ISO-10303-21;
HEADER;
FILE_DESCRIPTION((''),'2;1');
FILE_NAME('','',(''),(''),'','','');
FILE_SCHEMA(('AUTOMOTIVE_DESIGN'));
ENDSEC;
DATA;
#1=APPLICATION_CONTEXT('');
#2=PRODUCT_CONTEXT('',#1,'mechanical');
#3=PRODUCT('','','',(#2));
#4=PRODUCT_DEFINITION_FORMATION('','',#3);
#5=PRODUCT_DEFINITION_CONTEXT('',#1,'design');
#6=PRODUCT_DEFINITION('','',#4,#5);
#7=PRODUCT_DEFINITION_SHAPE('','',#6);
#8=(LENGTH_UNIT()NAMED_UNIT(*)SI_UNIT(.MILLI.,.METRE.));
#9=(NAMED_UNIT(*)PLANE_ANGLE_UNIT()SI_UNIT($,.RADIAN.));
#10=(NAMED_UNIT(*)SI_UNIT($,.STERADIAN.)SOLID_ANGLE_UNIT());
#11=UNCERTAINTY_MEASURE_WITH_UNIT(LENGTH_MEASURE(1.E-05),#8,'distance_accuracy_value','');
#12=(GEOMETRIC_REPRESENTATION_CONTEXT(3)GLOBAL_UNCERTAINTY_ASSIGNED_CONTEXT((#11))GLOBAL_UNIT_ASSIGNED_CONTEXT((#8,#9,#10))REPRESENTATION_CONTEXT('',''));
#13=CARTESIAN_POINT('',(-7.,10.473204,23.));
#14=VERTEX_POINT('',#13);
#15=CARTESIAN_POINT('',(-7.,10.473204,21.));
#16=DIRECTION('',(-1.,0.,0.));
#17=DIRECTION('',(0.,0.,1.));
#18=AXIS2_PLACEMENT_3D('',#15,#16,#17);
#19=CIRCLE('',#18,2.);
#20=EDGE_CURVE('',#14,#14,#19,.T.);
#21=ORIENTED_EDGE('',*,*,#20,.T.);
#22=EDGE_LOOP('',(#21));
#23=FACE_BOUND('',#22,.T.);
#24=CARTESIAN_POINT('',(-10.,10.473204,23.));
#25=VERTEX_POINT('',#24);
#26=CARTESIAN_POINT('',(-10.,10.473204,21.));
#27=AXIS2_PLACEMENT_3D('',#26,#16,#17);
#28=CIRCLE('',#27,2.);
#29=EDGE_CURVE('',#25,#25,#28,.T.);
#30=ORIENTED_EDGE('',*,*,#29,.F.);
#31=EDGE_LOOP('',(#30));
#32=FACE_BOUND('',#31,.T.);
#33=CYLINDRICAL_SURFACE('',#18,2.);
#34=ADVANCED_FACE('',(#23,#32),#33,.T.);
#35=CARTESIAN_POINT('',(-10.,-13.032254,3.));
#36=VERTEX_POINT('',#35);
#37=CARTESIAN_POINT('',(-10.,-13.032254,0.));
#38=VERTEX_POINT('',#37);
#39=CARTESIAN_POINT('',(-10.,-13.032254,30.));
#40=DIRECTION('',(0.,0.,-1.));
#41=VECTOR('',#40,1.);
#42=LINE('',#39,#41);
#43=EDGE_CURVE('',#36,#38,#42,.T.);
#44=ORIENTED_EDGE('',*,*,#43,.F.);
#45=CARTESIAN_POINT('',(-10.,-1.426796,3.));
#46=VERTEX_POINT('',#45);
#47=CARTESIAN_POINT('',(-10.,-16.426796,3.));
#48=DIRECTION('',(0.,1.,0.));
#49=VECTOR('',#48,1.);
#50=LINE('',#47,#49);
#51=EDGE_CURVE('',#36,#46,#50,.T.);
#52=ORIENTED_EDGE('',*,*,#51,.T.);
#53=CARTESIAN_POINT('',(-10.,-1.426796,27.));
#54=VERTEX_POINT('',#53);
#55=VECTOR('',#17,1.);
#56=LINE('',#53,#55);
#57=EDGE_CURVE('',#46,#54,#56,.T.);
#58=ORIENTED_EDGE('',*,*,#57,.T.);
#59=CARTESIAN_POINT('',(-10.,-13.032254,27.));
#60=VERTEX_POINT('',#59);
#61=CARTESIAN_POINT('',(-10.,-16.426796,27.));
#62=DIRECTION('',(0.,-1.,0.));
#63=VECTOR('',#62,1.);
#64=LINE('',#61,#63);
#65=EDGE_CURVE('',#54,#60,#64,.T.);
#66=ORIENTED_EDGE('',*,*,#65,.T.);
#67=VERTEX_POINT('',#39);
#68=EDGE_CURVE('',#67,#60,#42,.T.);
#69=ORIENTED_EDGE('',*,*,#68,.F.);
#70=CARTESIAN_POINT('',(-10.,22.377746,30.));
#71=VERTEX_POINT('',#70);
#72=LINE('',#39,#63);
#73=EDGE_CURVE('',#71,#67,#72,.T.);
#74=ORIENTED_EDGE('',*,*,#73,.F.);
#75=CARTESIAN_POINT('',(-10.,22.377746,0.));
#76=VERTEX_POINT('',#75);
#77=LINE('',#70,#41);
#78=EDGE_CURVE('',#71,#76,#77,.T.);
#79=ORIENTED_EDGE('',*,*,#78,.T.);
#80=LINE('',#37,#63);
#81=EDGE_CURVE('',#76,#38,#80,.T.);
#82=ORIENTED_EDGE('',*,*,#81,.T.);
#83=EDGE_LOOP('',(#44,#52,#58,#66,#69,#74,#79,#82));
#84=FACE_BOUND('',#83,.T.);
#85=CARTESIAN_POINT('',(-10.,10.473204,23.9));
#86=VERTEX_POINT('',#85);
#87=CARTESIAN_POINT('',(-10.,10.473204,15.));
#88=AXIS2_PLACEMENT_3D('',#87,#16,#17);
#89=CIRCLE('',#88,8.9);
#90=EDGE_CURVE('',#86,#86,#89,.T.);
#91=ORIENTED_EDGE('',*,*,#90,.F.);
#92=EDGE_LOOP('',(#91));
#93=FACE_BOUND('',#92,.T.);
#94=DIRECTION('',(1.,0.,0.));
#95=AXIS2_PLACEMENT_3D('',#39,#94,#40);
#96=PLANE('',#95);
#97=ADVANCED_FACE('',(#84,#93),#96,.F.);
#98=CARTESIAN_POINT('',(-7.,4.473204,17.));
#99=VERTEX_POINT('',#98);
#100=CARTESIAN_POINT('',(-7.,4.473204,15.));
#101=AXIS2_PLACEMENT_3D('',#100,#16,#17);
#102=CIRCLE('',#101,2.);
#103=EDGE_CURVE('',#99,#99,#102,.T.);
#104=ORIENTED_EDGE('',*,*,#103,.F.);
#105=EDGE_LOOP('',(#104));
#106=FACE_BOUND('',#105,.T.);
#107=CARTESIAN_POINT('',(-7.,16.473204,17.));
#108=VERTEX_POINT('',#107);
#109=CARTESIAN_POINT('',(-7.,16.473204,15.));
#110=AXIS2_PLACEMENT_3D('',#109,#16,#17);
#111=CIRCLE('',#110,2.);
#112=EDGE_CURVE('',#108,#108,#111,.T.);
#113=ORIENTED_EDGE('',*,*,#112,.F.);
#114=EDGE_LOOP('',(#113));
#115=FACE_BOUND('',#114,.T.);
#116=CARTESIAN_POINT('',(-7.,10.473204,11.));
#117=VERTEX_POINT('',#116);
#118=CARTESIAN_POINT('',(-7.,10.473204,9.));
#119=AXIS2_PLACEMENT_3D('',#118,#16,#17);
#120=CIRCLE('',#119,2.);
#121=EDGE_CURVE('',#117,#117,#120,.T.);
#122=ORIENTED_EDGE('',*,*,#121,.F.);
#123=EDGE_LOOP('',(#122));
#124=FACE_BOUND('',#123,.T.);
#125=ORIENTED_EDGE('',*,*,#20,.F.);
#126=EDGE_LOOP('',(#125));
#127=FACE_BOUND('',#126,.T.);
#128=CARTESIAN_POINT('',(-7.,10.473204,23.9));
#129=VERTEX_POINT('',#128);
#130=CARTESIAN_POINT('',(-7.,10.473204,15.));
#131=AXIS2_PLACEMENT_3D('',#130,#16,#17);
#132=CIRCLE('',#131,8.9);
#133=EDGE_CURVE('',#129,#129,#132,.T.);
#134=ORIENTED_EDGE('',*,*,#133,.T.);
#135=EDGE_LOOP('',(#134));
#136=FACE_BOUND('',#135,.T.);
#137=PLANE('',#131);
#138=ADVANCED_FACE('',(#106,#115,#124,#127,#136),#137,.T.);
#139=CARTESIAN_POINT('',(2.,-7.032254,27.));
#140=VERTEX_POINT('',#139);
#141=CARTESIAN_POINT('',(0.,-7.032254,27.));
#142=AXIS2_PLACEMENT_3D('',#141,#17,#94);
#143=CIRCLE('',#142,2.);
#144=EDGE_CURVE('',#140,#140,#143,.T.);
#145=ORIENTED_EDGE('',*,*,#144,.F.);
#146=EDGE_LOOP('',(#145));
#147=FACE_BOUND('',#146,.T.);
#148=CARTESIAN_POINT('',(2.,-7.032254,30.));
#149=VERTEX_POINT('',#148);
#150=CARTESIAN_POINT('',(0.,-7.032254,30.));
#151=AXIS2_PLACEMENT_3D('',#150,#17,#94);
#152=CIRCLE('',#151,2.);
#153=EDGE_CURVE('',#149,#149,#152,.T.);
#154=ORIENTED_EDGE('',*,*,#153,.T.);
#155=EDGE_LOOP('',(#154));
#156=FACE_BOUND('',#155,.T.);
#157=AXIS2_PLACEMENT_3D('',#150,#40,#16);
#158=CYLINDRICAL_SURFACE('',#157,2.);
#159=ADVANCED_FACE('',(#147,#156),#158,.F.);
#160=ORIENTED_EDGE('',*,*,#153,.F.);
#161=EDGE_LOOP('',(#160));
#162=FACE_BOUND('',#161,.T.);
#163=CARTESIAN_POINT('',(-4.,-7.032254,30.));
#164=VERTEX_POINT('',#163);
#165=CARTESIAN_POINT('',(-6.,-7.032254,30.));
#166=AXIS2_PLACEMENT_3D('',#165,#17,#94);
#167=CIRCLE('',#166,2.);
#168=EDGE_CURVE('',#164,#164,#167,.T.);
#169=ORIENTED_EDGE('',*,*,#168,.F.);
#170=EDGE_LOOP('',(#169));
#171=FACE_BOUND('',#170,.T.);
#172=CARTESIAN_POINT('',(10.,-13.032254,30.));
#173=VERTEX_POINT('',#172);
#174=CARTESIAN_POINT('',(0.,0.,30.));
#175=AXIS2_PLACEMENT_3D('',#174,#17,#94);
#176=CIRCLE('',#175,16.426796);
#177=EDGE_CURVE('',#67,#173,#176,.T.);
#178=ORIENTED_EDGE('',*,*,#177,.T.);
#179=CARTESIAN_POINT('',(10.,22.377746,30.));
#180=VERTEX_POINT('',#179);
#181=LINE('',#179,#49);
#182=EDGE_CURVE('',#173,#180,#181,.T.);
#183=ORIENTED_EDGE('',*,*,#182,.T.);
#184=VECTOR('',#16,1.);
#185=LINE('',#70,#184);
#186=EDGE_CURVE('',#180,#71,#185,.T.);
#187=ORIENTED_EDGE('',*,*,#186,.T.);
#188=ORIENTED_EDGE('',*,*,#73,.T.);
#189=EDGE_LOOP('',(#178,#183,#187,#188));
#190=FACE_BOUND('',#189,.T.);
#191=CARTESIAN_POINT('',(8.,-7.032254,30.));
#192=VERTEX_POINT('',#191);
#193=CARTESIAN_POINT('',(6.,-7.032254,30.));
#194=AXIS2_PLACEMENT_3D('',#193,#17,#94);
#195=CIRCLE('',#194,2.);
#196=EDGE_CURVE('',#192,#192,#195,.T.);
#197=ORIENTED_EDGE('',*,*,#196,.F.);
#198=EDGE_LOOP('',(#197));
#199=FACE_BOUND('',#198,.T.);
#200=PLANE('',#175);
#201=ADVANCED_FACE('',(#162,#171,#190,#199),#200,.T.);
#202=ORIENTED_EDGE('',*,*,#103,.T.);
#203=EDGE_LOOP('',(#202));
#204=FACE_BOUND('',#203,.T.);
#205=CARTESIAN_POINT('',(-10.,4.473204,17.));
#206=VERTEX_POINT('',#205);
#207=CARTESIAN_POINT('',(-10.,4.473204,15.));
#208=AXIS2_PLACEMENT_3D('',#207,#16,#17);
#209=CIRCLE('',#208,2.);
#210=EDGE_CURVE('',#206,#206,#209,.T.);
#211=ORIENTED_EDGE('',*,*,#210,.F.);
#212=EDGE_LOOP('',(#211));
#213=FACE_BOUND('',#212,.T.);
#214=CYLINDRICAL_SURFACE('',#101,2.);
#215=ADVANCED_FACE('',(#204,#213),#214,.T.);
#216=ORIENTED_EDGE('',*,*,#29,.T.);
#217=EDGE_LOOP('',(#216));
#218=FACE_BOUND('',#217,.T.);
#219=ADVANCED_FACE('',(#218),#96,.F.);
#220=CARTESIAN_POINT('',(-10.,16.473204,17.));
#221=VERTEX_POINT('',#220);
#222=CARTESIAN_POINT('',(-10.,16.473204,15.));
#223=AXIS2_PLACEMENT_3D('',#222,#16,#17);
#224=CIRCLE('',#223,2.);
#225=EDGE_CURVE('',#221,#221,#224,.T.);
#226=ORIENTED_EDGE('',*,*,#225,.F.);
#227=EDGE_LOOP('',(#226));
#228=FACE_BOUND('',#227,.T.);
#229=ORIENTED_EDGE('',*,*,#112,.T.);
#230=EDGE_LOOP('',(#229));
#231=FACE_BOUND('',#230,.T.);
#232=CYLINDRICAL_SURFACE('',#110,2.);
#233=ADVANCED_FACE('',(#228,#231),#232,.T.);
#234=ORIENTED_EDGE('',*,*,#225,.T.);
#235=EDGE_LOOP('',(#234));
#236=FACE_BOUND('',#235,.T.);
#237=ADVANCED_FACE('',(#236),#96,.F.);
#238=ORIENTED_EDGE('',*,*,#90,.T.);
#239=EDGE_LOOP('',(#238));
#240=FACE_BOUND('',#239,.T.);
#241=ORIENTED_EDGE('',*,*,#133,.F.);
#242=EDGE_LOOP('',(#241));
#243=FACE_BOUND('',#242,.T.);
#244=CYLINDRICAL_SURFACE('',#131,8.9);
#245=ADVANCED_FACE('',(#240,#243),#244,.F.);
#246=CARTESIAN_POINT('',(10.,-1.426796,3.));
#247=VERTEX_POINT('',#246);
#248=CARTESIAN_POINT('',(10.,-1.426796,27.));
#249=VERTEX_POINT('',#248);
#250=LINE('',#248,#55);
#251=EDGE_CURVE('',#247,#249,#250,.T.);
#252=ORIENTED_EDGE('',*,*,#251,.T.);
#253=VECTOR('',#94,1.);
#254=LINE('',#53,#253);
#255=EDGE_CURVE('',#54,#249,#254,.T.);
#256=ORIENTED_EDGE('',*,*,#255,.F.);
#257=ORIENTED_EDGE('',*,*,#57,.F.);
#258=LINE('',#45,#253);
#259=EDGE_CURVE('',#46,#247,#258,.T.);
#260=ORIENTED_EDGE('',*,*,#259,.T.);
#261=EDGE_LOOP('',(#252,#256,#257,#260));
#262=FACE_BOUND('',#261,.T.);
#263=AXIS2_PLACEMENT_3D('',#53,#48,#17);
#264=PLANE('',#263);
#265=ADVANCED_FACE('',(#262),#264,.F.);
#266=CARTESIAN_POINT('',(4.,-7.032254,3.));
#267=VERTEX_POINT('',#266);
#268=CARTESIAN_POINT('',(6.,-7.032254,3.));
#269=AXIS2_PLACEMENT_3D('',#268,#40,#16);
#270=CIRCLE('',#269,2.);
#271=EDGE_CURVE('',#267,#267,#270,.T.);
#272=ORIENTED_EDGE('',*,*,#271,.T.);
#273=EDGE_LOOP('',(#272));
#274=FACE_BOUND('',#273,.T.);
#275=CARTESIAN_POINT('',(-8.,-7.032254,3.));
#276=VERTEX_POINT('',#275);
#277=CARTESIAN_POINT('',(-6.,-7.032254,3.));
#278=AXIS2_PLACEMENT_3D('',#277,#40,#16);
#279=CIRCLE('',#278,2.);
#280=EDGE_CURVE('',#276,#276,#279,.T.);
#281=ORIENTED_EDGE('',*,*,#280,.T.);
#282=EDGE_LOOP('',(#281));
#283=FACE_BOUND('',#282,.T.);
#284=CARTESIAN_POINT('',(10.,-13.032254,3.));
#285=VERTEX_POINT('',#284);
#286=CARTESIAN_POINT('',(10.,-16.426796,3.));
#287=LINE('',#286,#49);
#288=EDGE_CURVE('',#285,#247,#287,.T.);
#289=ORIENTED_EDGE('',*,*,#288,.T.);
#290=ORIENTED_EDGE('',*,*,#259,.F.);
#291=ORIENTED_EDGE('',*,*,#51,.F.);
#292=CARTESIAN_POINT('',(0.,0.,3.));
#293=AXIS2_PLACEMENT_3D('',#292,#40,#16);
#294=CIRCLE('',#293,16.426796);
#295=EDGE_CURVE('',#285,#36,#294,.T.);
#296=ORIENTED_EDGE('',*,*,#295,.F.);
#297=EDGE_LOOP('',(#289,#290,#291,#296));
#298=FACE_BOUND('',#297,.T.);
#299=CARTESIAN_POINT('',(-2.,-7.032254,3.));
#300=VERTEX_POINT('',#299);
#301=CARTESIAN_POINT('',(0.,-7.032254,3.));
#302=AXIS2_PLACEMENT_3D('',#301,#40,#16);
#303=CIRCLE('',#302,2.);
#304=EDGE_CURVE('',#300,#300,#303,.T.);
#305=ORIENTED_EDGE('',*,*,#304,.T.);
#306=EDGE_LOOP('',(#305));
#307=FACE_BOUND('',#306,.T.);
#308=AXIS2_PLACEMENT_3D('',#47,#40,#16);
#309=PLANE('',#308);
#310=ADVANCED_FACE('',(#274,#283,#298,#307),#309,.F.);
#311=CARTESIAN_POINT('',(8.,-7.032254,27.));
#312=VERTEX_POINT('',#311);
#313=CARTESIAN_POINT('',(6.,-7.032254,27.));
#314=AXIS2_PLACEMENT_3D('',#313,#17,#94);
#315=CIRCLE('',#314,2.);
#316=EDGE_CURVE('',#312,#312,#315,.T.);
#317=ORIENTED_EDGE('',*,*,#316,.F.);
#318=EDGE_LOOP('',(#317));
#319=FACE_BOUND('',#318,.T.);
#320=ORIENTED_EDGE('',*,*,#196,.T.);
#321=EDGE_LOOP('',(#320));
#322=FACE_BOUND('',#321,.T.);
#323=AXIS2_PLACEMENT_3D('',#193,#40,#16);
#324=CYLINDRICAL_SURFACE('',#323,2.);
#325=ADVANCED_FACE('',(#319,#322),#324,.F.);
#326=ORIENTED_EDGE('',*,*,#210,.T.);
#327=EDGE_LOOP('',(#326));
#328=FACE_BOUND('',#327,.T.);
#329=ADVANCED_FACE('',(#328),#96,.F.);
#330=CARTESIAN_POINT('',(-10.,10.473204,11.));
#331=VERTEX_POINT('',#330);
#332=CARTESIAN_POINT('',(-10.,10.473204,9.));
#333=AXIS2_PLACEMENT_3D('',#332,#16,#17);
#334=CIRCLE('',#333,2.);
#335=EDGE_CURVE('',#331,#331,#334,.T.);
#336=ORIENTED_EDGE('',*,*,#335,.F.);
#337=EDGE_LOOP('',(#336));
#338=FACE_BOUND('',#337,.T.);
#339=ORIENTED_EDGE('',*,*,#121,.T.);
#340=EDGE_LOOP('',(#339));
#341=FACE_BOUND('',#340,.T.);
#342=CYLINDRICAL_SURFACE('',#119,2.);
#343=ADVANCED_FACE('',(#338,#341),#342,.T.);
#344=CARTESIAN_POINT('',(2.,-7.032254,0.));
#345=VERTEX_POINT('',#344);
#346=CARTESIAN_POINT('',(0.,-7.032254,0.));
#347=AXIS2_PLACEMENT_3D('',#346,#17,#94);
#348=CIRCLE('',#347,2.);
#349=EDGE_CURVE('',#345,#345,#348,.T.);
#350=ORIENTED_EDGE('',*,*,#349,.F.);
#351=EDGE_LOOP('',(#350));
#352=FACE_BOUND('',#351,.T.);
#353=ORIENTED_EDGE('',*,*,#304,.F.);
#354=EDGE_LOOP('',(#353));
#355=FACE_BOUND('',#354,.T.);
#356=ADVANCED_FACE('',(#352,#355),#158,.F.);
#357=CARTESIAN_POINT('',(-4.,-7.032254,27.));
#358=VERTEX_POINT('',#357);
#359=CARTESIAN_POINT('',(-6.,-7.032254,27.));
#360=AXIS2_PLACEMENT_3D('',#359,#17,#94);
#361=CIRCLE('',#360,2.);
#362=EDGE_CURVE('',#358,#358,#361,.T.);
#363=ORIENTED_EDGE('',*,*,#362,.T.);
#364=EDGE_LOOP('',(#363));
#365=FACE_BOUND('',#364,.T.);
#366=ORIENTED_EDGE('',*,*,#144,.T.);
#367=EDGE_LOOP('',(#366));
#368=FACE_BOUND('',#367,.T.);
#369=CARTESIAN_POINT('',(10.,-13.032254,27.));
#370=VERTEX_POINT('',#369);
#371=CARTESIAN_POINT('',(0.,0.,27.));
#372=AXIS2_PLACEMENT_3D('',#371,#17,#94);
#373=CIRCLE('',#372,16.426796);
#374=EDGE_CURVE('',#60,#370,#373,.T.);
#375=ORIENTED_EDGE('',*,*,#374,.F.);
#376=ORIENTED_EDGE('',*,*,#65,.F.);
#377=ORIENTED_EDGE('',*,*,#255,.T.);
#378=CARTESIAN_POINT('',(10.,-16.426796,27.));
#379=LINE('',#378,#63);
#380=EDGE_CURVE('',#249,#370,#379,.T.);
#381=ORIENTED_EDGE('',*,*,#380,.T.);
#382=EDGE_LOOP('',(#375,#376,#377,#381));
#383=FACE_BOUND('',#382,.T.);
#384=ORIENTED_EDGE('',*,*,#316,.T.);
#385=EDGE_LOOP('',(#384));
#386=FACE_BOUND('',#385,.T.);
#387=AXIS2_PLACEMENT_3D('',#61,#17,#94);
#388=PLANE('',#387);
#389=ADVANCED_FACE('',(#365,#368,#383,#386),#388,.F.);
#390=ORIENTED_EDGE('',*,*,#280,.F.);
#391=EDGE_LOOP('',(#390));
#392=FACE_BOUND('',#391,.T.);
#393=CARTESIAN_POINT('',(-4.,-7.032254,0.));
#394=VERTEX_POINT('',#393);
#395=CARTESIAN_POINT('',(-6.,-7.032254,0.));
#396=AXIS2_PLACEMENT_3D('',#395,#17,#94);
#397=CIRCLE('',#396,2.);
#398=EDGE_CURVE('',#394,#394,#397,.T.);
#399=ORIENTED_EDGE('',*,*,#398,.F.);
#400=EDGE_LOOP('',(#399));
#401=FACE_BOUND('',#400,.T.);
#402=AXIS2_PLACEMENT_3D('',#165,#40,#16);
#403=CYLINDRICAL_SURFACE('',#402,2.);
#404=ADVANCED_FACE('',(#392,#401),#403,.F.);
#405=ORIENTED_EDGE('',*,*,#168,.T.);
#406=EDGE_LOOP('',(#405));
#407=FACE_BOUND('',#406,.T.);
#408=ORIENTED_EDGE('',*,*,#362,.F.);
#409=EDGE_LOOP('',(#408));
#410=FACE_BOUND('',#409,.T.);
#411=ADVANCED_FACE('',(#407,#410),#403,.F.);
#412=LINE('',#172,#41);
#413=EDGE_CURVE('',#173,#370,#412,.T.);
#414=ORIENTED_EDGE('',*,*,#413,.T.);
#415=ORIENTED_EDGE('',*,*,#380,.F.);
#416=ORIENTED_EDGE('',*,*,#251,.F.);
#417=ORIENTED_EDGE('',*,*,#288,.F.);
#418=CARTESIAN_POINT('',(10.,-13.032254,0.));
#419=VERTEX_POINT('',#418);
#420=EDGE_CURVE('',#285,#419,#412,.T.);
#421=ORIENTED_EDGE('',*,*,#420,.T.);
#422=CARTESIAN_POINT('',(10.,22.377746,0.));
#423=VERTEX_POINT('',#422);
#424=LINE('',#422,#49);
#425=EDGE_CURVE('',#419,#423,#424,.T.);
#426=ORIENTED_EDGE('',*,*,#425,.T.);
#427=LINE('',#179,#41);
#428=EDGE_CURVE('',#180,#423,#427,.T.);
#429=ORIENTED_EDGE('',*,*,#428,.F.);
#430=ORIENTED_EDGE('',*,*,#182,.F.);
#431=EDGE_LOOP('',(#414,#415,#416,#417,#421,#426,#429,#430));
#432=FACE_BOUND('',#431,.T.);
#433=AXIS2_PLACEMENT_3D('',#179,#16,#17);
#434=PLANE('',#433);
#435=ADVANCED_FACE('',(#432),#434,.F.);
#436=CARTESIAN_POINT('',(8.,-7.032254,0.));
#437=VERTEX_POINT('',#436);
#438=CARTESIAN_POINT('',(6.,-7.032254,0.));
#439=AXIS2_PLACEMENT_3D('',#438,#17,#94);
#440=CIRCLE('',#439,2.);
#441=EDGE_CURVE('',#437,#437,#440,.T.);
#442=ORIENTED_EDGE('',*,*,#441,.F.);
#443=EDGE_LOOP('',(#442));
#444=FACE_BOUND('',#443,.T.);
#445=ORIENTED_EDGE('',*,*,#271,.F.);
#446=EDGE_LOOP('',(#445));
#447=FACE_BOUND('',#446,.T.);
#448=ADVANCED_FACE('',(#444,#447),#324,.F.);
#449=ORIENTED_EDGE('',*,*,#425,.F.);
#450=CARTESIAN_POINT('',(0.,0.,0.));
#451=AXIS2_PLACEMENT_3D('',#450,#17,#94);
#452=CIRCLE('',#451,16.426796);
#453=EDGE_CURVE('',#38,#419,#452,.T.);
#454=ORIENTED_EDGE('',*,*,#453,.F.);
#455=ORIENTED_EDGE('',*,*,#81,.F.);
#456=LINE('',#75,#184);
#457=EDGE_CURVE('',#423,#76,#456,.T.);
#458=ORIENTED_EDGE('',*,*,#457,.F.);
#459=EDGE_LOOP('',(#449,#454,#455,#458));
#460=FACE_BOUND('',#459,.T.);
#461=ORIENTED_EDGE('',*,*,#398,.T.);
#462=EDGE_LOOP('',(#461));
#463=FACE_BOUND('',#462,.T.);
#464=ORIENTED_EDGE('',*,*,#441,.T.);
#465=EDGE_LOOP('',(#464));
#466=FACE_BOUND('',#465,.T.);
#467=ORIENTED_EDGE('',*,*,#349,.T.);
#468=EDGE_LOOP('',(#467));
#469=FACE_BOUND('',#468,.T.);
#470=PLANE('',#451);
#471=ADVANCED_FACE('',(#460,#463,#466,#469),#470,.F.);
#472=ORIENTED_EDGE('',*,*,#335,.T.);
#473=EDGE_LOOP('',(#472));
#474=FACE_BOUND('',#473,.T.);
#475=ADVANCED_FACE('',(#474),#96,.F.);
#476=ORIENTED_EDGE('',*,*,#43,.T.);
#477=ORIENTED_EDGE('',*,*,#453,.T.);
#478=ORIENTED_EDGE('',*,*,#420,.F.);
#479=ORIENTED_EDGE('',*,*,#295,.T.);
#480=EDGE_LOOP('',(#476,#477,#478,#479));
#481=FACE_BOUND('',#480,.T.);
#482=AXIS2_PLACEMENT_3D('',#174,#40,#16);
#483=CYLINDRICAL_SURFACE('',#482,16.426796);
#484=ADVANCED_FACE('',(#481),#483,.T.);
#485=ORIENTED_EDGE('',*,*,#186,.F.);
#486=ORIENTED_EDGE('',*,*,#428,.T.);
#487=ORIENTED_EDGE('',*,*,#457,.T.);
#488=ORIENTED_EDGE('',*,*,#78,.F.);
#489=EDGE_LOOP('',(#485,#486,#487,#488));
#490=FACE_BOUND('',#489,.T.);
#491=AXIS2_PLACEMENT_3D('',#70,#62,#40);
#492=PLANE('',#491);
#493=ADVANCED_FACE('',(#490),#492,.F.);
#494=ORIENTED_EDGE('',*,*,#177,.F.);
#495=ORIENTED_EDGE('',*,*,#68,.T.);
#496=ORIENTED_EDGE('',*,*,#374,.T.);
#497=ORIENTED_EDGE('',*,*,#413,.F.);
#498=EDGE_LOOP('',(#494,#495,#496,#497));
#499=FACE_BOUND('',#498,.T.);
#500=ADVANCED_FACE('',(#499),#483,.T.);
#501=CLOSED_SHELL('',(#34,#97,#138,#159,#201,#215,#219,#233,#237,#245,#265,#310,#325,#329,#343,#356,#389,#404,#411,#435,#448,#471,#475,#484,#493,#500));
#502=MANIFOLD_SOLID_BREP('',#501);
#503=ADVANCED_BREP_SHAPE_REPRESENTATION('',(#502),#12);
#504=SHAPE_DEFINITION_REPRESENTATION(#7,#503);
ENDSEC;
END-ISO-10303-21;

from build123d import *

# Parameters (mm, degrees)
SKETCH1_R           = 2
BOSS_EXTRUDE1_DEPTH = 30
SKETCH2_W           = 24
SKETCH2_H           = 15
CUT_EXTRUDE1_DEPTH  = 43.435404183
SKETCH3_R           = 8.9
SKETCH3_R_2         = 2
CUT_EXTRUDE2_DEPTH  = 3


with BuildPart() as part:
    # Sketch1 → Boss-Extrude1 (new body)
    with BuildSketch(Plane.XY):
        with BuildLine():
            Line((-10, 22.377746272), (10, 22.377746272))
            Line((10, 22.377746272), (10, -13.032253728))
            ThreePointArc((10, -13.032253728), (0, -16.426796317), (-10, -13.032253728))
            Line((-10, -13.032253728), (-10, 22.377746272))
        make_face()
        with Locations((0, -7.032253728)):
            Circle(SKETCH1_R, mode=Mode.SUBTRACT)
        with Locations((6, -7.032253728)):
            Circle(SKETCH1_R, mode=Mode.SUBTRACT)
        with Locations((-6, -7.032253728)):
            Circle(SKETCH1_R, mode=Mode.SUBTRACT)
    extrude(amount=BOSS_EXTRUDE1_DEPTH)

    # Sketch2 → Cut-Extrude1 (cut, through all)
    with BuildSketch(Plane(origin=(10, 0, 0), x_dir=(0, 0, -1), z_dir=(1, 0, 0))):
        with Locations((-15, -8.926796317)):
            Rectangle(SKETCH2_W, SKETCH2_H)
    extrude(amount=-CUT_EXTRUDE1_DEPTH, mode=Mode.SUBTRACT)

    # Sketch3 → Cut-Extrude2 (cut)
    with BuildSketch(Plane.ZY.offset(10)):
        with Locations((15, 10.473203683)):
            Circle(SKETCH3_R)
        with Locations((15, 16.473203683)):
            Circle(SKETCH3_R_2, mode=Mode.SUBTRACT)
        with Locations((15, 4.473203683)):
            Circle(SKETCH3_R_2, mode=Mode.SUBTRACT)
        with Locations((9, 10.473203683)):
            Circle(SKETCH3_R_2, mode=Mode.SUBTRACT)
        with Locations((21, 10.473203683)):
            Circle(SKETCH3_R_2, mode=Mode.SUBTRACT)
    extrude(amount=-CUT_EXTRUDE2_DEPTH, mode=Mode.SUBTRACT)


solid = part.part
